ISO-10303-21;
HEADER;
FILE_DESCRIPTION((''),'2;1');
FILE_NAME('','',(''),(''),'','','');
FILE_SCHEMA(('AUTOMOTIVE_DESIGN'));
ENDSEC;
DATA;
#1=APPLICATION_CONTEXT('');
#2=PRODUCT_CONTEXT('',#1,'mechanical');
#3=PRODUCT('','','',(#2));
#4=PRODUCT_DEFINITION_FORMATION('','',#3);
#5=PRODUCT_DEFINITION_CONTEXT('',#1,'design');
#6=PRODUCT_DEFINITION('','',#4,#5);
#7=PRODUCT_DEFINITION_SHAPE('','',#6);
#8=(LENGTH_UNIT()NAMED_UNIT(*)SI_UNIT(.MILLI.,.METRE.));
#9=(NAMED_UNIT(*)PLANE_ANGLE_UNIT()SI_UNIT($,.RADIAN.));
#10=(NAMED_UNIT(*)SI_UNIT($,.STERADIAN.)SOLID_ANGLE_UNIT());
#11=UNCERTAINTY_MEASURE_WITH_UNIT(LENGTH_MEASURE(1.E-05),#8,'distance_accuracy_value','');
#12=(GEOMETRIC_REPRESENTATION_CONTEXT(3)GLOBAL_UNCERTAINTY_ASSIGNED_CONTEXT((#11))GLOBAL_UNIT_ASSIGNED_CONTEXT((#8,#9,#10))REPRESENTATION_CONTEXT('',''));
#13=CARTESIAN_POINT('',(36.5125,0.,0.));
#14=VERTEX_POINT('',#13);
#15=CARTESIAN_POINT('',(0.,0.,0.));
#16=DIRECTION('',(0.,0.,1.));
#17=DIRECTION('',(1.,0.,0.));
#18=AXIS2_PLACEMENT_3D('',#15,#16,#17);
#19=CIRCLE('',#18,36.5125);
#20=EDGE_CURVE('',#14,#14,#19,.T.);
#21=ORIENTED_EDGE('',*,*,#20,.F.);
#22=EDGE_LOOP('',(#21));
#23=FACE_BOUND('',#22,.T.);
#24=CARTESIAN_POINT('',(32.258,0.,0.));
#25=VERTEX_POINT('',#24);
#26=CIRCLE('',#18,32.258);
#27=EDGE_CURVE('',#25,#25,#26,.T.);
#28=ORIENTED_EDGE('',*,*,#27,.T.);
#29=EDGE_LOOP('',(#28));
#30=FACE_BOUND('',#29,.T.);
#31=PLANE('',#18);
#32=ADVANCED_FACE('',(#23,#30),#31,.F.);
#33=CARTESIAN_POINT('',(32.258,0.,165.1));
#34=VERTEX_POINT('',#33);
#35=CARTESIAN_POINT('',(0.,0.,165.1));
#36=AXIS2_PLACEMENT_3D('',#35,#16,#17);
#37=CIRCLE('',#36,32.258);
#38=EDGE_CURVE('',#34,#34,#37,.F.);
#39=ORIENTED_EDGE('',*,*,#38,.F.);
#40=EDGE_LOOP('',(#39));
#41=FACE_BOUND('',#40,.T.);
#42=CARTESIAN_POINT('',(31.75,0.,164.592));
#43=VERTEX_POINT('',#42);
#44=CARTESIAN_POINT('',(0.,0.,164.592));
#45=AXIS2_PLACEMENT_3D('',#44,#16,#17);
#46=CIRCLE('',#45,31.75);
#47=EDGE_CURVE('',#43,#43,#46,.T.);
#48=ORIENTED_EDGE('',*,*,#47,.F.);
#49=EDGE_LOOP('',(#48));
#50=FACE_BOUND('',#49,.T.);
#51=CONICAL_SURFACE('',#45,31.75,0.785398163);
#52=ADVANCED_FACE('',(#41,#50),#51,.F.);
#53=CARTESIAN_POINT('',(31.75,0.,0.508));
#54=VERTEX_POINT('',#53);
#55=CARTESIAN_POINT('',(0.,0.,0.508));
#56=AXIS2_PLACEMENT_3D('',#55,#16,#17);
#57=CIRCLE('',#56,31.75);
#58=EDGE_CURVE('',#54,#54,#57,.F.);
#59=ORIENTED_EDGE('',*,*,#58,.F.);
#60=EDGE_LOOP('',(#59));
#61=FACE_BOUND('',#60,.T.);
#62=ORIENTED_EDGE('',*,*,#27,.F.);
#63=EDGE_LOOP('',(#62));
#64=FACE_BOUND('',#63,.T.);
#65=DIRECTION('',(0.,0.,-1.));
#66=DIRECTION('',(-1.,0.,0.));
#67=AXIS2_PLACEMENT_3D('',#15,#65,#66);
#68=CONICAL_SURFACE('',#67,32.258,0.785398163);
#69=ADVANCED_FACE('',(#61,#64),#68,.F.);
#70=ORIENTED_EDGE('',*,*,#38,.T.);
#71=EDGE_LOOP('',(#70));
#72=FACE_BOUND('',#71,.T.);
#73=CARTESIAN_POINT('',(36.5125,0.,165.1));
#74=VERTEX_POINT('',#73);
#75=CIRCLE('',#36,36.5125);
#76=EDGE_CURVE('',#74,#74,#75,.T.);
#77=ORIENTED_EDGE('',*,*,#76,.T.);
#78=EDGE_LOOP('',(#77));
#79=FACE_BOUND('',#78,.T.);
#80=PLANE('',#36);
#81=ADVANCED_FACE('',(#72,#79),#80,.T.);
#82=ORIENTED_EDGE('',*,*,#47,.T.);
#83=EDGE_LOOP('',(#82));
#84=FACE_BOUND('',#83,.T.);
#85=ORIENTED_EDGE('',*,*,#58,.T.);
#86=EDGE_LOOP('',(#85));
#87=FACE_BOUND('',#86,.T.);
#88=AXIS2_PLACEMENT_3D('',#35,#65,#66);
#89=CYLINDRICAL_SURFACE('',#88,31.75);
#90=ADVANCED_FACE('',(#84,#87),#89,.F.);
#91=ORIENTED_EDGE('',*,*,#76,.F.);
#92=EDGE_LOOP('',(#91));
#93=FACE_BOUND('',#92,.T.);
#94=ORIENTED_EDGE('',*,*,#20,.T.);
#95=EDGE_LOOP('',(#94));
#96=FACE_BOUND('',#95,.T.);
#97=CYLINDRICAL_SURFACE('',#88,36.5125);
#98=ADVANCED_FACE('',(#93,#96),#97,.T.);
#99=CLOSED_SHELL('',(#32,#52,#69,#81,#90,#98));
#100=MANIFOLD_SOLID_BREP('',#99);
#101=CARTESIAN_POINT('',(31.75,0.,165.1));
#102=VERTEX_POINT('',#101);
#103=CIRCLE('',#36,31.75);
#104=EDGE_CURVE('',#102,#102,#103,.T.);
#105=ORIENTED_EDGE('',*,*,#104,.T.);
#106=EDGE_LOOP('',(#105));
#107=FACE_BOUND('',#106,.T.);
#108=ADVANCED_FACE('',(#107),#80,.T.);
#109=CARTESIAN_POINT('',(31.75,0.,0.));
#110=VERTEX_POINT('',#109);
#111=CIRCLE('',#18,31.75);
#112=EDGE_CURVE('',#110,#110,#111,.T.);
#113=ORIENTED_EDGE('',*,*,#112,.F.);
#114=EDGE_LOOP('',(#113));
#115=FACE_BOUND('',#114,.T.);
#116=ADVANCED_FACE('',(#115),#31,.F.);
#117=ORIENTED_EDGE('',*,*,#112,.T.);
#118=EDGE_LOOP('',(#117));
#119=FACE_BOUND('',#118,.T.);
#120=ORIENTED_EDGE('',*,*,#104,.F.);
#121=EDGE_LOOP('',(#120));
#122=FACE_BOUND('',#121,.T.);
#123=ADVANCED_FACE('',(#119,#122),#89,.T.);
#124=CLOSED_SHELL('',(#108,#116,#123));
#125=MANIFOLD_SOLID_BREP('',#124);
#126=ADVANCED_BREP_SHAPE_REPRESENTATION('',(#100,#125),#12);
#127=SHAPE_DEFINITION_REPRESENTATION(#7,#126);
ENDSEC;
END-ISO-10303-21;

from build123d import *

# Parameters (mm, degrees)
SKETCH1_R           = 36.5125
SKETCH1_R_2         = 31.75
EXTRUDE1_DEPTH      = 165.1
CHAMFER1_SIZE       = 0.508
SKETCH1_2_R         = 31.75
BOSS_EXTRUDE1_DEPTH = 165.1


with BuildPart() as part:
    # Sketch1 → Extrude1 (new body)
    with BuildSketch(Plane.XY):
        Circle(SKETCH1_R)
        Circle(SKETCH1_R_2, mode=Mode.SUBTRACT)
    extrude(amount=EXTRUDE1_DEPTH)

    # Chamfer1
    chamfer1_edges = [part.edges().sort_by_distance(p)[0] for p in [
        (-31.75, 0, 0),
        (-31.75, 0, 165.1),
    ]]
    chamfer(chamfer1_edges, length=CHAMFER1_SIZE)


with BuildPart() as body_2:
    # Sketch1<2> → Boss-Extrude1 (new body)
    with BuildSketch(Plane.XY):
        Circle(SKETCH1_2_R)
    extrude(amount=BOSS_EXTRUDE1_DEPTH)


solid = Compound([part.part, body_2.part])
